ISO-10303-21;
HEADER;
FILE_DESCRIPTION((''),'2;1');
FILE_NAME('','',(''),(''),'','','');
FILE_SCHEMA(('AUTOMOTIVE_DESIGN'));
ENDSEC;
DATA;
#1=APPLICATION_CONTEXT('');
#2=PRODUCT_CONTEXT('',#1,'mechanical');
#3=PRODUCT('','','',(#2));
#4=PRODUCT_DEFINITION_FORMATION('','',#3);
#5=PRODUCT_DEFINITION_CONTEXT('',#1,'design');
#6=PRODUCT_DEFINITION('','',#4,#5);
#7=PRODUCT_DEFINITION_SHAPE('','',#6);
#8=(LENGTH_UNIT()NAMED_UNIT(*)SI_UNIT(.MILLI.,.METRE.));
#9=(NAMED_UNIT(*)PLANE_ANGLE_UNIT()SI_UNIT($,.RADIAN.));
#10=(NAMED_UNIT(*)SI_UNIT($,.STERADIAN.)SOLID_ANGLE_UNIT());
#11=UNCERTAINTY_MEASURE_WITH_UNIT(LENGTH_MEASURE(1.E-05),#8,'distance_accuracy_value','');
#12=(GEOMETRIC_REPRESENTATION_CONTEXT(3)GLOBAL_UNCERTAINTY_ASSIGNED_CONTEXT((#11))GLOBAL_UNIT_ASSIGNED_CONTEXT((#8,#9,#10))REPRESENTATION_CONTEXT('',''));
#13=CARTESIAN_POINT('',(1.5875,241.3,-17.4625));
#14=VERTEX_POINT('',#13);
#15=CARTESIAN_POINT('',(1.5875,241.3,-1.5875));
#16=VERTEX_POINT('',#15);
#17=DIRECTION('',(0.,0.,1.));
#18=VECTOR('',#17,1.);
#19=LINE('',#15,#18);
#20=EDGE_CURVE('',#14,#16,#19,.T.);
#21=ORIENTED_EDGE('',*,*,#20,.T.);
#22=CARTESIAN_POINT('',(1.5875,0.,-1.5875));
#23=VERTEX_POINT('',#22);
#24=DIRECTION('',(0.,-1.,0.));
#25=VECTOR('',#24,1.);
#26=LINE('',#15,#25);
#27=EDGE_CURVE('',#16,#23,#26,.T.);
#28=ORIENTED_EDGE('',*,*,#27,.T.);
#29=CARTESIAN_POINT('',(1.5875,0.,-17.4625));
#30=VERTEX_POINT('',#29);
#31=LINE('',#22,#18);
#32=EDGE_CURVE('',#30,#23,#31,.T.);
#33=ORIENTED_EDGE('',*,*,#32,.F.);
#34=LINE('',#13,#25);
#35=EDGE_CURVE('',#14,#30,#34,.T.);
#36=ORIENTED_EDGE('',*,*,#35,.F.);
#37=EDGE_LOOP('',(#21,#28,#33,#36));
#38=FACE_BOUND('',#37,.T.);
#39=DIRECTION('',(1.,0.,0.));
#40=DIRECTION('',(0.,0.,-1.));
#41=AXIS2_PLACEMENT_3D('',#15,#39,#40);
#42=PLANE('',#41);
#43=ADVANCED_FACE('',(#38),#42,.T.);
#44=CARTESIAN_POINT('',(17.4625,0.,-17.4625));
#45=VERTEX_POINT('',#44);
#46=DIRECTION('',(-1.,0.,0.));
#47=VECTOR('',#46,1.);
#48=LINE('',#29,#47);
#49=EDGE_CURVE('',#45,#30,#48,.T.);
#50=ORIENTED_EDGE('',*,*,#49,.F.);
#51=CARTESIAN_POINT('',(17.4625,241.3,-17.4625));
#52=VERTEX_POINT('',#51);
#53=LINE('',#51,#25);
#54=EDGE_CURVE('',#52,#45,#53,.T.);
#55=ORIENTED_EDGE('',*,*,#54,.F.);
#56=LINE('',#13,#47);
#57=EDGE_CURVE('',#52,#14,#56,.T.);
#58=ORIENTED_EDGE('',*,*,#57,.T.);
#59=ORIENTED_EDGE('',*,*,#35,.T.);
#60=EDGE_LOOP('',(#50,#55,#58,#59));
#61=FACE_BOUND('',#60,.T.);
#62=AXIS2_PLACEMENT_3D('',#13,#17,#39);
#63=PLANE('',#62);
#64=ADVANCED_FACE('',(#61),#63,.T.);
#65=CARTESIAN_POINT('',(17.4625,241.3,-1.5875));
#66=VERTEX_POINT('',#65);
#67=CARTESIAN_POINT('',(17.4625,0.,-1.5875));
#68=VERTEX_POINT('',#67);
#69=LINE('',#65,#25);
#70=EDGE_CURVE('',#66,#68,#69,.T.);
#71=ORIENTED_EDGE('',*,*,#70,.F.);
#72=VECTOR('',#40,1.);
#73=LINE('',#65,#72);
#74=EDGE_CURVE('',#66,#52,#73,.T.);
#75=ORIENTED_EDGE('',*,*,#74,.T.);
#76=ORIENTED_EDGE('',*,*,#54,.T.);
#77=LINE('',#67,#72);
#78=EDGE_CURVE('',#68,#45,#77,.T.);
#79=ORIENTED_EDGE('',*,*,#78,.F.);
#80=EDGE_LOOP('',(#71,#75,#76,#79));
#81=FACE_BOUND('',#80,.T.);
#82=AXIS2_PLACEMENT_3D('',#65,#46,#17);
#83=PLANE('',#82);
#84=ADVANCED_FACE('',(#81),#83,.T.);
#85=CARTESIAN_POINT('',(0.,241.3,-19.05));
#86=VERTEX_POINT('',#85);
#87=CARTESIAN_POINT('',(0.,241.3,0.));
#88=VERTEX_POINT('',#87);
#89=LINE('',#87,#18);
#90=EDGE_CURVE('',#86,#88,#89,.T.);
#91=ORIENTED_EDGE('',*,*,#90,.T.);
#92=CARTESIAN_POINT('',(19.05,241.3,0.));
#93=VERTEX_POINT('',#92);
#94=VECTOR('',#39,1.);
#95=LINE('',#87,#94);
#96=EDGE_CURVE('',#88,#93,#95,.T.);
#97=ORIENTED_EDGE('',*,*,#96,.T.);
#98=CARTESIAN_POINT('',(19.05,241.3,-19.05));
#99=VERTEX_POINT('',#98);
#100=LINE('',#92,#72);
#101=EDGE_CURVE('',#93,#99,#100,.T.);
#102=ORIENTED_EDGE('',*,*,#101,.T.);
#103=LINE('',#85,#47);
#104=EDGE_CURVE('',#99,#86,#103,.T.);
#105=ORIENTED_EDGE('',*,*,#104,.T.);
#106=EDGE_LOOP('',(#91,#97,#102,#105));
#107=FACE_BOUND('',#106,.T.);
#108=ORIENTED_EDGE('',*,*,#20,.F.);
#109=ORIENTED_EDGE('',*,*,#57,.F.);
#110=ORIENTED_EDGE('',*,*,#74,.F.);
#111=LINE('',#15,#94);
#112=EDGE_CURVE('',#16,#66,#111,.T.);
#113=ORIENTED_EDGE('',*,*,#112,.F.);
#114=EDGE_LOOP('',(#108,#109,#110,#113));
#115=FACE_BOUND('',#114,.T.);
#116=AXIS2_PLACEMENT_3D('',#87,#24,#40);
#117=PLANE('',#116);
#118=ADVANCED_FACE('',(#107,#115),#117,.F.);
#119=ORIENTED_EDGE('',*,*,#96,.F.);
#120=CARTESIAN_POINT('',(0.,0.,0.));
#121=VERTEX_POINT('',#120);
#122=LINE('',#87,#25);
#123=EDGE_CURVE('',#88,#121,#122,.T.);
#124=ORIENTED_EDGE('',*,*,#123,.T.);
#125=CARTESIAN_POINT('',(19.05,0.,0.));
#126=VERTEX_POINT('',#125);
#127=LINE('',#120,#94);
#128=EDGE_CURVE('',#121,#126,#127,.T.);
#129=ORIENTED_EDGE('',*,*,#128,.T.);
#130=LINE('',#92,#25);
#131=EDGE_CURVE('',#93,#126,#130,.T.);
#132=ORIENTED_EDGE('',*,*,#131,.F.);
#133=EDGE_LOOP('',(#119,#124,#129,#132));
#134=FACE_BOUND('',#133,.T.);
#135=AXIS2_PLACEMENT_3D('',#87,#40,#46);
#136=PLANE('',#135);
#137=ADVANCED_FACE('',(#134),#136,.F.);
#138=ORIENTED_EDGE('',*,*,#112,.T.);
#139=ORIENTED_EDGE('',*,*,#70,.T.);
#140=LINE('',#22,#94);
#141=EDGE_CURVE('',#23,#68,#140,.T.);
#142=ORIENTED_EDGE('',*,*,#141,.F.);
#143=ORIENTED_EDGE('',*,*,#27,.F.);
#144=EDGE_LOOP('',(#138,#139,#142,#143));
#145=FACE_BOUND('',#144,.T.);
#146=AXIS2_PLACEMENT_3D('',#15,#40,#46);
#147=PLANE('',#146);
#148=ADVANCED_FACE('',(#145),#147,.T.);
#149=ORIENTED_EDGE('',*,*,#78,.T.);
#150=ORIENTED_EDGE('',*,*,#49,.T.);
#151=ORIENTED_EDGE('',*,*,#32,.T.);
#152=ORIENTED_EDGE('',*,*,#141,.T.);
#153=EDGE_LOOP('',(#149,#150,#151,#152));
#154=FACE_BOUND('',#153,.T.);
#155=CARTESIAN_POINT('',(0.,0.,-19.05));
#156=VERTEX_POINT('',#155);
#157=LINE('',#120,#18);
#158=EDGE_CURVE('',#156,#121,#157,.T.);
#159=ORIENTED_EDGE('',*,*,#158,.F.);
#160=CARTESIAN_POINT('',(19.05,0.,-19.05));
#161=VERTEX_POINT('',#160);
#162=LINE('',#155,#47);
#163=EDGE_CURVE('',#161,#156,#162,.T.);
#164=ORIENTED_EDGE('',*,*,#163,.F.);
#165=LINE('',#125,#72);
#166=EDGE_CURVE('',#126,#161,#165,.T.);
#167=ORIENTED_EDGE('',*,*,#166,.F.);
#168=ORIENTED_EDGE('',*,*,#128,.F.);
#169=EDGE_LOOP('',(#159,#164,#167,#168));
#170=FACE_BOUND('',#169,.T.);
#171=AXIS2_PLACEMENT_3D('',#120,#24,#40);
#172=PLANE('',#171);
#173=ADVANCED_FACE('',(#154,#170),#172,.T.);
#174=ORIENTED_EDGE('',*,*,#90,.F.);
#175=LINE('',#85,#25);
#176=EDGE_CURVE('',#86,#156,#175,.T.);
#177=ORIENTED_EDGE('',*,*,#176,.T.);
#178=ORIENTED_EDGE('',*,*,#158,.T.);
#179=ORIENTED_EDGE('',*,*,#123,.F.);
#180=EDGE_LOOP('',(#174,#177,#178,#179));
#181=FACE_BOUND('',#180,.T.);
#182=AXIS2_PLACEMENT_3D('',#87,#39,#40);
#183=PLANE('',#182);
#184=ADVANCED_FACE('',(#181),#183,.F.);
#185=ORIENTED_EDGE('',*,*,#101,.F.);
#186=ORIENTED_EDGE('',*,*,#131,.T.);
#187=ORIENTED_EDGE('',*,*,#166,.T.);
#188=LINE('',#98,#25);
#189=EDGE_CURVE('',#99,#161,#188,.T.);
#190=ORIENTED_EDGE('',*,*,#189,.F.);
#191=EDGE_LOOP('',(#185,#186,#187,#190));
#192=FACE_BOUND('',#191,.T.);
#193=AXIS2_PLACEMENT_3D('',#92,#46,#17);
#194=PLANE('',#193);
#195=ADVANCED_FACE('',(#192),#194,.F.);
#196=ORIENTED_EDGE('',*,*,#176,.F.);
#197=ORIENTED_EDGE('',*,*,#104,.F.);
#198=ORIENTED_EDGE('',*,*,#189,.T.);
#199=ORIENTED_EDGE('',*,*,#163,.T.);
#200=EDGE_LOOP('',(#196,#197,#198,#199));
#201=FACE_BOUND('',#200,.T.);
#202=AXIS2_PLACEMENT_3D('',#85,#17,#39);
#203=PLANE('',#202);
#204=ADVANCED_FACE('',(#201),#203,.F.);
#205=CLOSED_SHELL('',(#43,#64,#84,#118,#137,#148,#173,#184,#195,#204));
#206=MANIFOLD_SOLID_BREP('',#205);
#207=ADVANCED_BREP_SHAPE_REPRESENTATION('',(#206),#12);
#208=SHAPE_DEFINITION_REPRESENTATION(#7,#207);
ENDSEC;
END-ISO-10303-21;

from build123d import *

# Parameters (mm, degrees)
SKETCH1_W           = 19.05
SKETCH1_H           = 19.05
SKETCH1_W_2         = 15.875
SKETCH1_H_2         = 15.875
BOSS_EXTRUDE1_DEPTH = 241.3


with BuildPart() as part:
    # Sketch1 → Boss-Extrude1 (new body)
    with BuildSketch(Plane(origin=(0, 0, 0), x_dir=(1, 0, 0), z_dir=(0, 1, 0))):
        with Locations((9.525, 9.525)):
            Rectangle(SKETCH1_W, SKETCH1_H)
        with Locations((9.525, 9.525)):
            Rectangle(SKETCH1_W_2, SKETCH1_H_2, mode=Mode.SUBTRACT)
    extrude(amount=BOSS_EXTRUDE1_DEPTH)


solid = part.part
